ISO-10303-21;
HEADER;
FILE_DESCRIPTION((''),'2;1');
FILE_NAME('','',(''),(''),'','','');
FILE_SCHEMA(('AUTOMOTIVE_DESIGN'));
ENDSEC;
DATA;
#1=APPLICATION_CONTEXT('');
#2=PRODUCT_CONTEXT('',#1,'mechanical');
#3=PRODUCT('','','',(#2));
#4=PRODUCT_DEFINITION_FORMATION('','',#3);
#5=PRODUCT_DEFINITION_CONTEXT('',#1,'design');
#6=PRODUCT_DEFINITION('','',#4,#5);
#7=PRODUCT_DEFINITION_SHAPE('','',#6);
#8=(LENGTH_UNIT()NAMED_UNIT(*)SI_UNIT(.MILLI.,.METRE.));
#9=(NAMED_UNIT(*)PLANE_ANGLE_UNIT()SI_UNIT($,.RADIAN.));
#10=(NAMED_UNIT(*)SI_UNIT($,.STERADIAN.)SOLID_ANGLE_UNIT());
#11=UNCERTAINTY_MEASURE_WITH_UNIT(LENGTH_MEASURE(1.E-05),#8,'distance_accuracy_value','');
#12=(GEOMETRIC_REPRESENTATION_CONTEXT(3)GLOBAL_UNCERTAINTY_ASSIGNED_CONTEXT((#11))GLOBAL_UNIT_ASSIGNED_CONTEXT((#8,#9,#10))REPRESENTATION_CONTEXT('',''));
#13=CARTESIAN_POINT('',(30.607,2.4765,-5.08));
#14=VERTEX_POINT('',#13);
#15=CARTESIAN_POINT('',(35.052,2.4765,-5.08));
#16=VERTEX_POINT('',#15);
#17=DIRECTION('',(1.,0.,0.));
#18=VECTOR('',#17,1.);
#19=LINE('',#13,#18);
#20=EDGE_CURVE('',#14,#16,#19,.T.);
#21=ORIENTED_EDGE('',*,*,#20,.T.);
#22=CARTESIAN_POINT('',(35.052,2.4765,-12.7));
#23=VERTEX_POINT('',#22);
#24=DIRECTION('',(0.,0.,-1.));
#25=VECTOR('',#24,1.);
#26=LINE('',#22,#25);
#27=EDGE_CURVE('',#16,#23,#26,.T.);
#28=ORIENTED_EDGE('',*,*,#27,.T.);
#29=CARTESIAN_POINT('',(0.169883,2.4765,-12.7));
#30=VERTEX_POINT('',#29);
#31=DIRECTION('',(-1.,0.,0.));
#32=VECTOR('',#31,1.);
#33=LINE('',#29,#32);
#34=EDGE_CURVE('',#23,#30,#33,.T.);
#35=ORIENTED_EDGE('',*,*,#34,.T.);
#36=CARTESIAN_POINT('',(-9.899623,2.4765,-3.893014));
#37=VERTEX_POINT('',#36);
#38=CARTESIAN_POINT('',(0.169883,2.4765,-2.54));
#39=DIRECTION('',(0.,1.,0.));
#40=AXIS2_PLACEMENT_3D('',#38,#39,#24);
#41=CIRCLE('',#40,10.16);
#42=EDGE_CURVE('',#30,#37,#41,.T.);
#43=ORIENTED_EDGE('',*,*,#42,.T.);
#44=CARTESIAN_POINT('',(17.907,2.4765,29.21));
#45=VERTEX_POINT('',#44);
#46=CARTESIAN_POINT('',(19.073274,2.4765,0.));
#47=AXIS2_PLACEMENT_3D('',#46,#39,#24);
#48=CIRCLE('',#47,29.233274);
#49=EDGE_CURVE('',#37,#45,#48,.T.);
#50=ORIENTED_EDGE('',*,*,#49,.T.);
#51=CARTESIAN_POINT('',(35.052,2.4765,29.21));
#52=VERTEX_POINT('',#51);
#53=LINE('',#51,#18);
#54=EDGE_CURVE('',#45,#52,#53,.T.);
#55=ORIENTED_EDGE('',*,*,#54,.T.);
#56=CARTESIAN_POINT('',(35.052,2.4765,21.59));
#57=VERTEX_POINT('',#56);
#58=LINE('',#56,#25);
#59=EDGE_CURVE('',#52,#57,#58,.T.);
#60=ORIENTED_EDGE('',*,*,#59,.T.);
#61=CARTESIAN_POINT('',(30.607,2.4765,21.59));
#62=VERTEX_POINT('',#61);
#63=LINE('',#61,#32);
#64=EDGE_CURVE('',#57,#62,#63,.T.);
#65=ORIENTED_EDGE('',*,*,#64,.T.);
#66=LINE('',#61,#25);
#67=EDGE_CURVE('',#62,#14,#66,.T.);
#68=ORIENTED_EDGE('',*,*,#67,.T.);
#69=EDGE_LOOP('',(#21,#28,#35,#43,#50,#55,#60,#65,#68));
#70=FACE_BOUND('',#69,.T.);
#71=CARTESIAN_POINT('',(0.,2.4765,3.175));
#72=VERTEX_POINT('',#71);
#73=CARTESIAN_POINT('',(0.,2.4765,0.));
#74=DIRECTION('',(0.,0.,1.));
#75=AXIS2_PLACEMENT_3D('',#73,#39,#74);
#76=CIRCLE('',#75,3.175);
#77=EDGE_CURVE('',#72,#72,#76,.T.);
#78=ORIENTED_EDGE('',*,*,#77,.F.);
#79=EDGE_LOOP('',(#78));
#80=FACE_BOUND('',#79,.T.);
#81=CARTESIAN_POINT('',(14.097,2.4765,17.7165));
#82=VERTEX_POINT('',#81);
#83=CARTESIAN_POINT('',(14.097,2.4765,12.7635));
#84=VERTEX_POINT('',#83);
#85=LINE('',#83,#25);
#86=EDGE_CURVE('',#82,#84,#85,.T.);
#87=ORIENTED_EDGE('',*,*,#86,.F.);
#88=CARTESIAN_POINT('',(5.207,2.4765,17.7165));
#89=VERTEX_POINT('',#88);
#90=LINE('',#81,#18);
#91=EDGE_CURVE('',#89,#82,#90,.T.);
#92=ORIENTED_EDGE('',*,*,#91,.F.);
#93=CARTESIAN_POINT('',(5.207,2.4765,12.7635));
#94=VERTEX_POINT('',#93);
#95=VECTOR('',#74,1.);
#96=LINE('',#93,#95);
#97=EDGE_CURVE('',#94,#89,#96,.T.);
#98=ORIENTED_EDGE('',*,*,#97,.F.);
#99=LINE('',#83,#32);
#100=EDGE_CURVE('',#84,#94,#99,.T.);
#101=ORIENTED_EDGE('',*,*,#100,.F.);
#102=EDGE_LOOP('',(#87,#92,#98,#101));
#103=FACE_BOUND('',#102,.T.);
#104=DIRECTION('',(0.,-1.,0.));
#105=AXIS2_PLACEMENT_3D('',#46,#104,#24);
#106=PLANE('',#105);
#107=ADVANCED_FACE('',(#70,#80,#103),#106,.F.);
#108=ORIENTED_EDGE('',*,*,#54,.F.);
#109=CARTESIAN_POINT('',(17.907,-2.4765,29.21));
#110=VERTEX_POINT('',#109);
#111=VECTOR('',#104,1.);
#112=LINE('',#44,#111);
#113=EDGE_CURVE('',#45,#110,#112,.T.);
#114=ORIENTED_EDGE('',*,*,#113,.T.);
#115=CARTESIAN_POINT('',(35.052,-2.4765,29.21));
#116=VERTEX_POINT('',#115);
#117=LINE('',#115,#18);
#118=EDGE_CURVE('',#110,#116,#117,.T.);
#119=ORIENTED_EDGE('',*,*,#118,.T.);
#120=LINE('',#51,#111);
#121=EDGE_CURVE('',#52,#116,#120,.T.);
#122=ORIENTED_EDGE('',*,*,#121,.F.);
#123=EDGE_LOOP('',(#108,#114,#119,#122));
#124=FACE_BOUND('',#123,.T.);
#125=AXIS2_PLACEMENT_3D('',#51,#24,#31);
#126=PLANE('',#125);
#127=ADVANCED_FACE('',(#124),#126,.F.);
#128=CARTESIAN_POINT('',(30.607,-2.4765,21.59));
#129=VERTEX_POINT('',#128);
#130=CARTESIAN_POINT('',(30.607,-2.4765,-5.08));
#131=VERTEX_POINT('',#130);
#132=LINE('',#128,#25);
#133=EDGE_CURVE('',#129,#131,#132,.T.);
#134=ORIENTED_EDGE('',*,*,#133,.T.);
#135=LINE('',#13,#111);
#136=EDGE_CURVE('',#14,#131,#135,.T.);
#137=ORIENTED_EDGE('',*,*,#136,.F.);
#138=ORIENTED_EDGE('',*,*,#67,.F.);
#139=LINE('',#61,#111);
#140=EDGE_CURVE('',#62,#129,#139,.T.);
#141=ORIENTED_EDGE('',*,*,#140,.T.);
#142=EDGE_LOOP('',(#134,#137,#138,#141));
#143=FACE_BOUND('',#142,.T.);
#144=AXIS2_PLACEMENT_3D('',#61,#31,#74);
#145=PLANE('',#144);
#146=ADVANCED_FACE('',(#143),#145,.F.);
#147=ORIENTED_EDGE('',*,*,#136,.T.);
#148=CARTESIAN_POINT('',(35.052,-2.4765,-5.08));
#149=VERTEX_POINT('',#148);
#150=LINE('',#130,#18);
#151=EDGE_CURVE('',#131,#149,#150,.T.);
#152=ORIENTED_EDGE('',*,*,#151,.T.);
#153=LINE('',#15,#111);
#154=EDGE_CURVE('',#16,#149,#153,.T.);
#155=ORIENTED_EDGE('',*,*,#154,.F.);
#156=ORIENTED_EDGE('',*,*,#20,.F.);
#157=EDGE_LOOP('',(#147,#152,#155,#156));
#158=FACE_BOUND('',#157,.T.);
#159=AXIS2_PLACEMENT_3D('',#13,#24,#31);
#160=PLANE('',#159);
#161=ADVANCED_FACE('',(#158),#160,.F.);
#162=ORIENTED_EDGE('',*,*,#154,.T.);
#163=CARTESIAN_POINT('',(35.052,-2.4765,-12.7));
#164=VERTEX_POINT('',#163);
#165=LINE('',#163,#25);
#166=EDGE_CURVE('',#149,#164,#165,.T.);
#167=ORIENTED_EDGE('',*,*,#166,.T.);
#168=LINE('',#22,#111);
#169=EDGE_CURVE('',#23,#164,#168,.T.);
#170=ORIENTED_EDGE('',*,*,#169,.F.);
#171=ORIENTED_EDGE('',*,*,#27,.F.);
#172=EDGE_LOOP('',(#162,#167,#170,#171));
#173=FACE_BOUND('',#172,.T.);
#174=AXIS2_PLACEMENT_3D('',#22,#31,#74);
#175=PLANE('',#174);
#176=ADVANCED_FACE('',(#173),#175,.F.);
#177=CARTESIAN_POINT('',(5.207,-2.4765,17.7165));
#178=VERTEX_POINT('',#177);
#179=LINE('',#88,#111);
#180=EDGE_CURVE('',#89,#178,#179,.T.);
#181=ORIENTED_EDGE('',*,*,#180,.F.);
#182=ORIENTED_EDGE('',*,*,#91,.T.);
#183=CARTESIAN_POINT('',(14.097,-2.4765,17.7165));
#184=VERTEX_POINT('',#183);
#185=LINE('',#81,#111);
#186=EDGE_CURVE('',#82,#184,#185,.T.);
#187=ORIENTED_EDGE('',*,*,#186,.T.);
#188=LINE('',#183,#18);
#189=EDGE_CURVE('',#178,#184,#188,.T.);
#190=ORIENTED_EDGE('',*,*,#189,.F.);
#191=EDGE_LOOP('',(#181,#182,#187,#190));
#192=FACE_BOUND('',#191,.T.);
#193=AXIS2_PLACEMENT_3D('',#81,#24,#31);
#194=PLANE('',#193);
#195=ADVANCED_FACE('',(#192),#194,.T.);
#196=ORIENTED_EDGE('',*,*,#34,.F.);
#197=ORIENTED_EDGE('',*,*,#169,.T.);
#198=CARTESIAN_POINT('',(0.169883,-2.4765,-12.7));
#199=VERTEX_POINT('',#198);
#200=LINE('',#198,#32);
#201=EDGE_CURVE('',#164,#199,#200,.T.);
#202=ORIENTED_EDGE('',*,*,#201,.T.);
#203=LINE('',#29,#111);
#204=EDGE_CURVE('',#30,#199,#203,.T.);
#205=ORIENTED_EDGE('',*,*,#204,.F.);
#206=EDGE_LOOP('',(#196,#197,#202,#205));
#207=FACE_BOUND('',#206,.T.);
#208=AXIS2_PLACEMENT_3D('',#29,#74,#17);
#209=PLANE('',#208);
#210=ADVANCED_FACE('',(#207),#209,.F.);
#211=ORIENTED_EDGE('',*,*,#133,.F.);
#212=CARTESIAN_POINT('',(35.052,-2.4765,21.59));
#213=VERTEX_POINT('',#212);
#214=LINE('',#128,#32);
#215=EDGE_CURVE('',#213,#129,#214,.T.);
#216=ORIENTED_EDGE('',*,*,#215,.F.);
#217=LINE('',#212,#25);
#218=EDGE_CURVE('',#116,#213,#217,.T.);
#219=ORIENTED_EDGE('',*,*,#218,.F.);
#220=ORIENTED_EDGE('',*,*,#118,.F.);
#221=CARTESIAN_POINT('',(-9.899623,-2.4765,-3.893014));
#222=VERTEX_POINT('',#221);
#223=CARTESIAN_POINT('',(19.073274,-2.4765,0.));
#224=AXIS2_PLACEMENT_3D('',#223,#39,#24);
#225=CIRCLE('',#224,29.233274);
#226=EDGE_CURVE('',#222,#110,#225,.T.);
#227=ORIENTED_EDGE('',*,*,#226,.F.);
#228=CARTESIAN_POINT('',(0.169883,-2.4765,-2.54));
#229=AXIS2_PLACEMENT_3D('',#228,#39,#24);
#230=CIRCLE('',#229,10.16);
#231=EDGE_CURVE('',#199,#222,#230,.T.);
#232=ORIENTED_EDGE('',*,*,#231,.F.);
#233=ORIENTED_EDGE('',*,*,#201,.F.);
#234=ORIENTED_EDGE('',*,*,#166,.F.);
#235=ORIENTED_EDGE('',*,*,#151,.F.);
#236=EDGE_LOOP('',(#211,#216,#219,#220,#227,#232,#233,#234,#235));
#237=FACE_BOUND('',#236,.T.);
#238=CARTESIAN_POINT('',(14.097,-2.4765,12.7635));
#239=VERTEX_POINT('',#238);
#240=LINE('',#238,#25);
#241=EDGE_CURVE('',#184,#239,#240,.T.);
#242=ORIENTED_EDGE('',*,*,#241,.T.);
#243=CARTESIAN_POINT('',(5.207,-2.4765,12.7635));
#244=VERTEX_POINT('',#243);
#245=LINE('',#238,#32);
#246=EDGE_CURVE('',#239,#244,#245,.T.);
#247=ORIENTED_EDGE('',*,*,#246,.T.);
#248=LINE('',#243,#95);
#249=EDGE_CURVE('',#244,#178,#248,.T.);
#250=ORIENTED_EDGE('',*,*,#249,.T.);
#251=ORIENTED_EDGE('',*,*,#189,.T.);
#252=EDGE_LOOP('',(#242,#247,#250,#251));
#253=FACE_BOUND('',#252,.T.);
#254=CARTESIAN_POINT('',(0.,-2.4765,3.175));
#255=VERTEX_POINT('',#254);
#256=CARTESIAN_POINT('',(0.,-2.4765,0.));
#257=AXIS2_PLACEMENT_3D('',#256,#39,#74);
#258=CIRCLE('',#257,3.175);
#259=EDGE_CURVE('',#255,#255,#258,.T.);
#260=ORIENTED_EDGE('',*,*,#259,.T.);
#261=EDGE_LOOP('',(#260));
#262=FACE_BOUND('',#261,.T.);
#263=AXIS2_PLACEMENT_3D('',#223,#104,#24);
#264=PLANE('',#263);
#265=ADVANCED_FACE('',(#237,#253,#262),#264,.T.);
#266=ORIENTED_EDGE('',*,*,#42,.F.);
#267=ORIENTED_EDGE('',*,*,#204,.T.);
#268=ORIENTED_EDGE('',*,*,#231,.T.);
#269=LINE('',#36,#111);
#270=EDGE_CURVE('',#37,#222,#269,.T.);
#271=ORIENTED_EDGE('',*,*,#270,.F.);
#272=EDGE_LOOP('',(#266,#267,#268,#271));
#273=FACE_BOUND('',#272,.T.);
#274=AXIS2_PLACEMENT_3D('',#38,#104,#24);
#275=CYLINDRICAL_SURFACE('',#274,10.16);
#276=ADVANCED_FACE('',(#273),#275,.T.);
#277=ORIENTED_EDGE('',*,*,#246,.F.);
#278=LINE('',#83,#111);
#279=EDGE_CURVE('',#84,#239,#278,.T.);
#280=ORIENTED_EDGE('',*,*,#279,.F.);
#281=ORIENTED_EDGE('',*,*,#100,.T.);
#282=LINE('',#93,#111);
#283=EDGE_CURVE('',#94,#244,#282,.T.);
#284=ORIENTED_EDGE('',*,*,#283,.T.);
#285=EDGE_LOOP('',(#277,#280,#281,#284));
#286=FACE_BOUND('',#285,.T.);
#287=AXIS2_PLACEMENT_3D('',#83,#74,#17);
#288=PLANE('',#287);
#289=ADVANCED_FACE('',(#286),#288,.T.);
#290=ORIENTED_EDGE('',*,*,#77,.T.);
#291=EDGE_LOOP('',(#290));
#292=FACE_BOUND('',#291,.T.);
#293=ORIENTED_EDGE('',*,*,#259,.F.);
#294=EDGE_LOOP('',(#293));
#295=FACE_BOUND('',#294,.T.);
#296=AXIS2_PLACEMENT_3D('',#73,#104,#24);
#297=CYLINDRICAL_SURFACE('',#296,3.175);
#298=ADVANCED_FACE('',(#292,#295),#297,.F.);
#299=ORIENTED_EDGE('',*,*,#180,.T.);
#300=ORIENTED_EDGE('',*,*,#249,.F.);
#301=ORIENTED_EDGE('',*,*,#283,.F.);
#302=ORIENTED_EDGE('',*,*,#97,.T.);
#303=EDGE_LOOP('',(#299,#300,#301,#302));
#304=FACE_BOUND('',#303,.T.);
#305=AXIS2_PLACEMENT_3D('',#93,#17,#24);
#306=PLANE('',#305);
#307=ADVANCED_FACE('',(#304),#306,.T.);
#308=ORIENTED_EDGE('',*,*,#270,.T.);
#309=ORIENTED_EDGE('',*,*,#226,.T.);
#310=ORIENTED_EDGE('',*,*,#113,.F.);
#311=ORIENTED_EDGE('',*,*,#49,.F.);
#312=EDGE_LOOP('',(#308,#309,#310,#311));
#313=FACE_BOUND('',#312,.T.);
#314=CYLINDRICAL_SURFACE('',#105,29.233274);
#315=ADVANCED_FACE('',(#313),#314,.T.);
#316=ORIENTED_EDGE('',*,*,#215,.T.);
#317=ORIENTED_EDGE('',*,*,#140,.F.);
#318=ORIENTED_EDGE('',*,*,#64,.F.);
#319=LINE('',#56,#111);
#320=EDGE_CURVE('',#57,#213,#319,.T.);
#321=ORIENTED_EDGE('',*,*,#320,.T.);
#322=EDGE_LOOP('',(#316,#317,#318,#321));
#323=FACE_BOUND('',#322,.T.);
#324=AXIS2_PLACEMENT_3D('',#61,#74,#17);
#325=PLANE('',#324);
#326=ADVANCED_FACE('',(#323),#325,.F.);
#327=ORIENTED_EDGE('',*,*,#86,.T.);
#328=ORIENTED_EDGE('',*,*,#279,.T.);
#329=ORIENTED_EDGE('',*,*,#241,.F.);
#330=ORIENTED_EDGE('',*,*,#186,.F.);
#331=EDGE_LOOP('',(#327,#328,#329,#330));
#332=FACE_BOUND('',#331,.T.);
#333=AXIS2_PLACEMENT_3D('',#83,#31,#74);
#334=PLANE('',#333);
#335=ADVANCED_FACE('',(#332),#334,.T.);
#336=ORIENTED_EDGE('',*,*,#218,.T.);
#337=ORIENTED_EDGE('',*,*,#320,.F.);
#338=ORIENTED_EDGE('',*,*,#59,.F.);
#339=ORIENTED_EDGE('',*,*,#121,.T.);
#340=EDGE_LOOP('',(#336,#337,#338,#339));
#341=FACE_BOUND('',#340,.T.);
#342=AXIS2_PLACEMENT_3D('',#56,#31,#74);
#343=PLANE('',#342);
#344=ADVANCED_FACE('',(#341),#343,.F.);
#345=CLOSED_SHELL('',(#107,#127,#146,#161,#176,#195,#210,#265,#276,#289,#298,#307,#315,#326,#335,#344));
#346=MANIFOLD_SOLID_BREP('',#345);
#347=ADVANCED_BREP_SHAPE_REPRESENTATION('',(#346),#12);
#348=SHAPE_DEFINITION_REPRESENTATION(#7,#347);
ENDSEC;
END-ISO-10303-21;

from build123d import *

# Parameters (mm, degrees)
SKETCH1_R           = 3.175
SKETCH1_W           = 8.89
SKETCH1_H           = 4.953
BOSS_EXTRUDE1_DEPTH = 2.4765


with BuildPart() as part:
    # Sketch1 → Boss-Extrude1 (new, symmetric)
    with BuildSketch(Plane(origin=(0, 0, 0), x_dir=(1, 0, 0), z_dir=(0, 1, 0))):
        with BuildLine():
            Line((30.607, -21.59), (30.607, 5.08))
            Line((30.607, 5.08), (35.052, 5.08))
            Line((35.052, 5.08), (35.052, 12.7))
            Line((35.052, 12.7), (0.169883273, 12.7))
            ThreePointArc((0.169883273, 12.7), (-6.518875251, 10.18762116), (-9.899622874, 3.893013664))
            ThreePointArc((-9.899622874, 3.893013664), (-3.310755736, -18.802646574), (17.907, -29.21))
            Line((17.907, -29.21), (35.052, -29.21))
            Line((35.052, -29.21), (35.052, -21.59))
            Line((35.052, -21.59), (30.607, -21.59))
        make_face()
        Circle(SKETCH1_R, mode=Mode.SUBTRACT)
        with Locations((9.652, -15.24)):
            Rectangle(SKETCH1_W, SKETCH1_H, mode=Mode.SUBTRACT)
    extrude(amount=BOSS_EXTRUDE1_DEPTH, both=True)


solid = part.part
